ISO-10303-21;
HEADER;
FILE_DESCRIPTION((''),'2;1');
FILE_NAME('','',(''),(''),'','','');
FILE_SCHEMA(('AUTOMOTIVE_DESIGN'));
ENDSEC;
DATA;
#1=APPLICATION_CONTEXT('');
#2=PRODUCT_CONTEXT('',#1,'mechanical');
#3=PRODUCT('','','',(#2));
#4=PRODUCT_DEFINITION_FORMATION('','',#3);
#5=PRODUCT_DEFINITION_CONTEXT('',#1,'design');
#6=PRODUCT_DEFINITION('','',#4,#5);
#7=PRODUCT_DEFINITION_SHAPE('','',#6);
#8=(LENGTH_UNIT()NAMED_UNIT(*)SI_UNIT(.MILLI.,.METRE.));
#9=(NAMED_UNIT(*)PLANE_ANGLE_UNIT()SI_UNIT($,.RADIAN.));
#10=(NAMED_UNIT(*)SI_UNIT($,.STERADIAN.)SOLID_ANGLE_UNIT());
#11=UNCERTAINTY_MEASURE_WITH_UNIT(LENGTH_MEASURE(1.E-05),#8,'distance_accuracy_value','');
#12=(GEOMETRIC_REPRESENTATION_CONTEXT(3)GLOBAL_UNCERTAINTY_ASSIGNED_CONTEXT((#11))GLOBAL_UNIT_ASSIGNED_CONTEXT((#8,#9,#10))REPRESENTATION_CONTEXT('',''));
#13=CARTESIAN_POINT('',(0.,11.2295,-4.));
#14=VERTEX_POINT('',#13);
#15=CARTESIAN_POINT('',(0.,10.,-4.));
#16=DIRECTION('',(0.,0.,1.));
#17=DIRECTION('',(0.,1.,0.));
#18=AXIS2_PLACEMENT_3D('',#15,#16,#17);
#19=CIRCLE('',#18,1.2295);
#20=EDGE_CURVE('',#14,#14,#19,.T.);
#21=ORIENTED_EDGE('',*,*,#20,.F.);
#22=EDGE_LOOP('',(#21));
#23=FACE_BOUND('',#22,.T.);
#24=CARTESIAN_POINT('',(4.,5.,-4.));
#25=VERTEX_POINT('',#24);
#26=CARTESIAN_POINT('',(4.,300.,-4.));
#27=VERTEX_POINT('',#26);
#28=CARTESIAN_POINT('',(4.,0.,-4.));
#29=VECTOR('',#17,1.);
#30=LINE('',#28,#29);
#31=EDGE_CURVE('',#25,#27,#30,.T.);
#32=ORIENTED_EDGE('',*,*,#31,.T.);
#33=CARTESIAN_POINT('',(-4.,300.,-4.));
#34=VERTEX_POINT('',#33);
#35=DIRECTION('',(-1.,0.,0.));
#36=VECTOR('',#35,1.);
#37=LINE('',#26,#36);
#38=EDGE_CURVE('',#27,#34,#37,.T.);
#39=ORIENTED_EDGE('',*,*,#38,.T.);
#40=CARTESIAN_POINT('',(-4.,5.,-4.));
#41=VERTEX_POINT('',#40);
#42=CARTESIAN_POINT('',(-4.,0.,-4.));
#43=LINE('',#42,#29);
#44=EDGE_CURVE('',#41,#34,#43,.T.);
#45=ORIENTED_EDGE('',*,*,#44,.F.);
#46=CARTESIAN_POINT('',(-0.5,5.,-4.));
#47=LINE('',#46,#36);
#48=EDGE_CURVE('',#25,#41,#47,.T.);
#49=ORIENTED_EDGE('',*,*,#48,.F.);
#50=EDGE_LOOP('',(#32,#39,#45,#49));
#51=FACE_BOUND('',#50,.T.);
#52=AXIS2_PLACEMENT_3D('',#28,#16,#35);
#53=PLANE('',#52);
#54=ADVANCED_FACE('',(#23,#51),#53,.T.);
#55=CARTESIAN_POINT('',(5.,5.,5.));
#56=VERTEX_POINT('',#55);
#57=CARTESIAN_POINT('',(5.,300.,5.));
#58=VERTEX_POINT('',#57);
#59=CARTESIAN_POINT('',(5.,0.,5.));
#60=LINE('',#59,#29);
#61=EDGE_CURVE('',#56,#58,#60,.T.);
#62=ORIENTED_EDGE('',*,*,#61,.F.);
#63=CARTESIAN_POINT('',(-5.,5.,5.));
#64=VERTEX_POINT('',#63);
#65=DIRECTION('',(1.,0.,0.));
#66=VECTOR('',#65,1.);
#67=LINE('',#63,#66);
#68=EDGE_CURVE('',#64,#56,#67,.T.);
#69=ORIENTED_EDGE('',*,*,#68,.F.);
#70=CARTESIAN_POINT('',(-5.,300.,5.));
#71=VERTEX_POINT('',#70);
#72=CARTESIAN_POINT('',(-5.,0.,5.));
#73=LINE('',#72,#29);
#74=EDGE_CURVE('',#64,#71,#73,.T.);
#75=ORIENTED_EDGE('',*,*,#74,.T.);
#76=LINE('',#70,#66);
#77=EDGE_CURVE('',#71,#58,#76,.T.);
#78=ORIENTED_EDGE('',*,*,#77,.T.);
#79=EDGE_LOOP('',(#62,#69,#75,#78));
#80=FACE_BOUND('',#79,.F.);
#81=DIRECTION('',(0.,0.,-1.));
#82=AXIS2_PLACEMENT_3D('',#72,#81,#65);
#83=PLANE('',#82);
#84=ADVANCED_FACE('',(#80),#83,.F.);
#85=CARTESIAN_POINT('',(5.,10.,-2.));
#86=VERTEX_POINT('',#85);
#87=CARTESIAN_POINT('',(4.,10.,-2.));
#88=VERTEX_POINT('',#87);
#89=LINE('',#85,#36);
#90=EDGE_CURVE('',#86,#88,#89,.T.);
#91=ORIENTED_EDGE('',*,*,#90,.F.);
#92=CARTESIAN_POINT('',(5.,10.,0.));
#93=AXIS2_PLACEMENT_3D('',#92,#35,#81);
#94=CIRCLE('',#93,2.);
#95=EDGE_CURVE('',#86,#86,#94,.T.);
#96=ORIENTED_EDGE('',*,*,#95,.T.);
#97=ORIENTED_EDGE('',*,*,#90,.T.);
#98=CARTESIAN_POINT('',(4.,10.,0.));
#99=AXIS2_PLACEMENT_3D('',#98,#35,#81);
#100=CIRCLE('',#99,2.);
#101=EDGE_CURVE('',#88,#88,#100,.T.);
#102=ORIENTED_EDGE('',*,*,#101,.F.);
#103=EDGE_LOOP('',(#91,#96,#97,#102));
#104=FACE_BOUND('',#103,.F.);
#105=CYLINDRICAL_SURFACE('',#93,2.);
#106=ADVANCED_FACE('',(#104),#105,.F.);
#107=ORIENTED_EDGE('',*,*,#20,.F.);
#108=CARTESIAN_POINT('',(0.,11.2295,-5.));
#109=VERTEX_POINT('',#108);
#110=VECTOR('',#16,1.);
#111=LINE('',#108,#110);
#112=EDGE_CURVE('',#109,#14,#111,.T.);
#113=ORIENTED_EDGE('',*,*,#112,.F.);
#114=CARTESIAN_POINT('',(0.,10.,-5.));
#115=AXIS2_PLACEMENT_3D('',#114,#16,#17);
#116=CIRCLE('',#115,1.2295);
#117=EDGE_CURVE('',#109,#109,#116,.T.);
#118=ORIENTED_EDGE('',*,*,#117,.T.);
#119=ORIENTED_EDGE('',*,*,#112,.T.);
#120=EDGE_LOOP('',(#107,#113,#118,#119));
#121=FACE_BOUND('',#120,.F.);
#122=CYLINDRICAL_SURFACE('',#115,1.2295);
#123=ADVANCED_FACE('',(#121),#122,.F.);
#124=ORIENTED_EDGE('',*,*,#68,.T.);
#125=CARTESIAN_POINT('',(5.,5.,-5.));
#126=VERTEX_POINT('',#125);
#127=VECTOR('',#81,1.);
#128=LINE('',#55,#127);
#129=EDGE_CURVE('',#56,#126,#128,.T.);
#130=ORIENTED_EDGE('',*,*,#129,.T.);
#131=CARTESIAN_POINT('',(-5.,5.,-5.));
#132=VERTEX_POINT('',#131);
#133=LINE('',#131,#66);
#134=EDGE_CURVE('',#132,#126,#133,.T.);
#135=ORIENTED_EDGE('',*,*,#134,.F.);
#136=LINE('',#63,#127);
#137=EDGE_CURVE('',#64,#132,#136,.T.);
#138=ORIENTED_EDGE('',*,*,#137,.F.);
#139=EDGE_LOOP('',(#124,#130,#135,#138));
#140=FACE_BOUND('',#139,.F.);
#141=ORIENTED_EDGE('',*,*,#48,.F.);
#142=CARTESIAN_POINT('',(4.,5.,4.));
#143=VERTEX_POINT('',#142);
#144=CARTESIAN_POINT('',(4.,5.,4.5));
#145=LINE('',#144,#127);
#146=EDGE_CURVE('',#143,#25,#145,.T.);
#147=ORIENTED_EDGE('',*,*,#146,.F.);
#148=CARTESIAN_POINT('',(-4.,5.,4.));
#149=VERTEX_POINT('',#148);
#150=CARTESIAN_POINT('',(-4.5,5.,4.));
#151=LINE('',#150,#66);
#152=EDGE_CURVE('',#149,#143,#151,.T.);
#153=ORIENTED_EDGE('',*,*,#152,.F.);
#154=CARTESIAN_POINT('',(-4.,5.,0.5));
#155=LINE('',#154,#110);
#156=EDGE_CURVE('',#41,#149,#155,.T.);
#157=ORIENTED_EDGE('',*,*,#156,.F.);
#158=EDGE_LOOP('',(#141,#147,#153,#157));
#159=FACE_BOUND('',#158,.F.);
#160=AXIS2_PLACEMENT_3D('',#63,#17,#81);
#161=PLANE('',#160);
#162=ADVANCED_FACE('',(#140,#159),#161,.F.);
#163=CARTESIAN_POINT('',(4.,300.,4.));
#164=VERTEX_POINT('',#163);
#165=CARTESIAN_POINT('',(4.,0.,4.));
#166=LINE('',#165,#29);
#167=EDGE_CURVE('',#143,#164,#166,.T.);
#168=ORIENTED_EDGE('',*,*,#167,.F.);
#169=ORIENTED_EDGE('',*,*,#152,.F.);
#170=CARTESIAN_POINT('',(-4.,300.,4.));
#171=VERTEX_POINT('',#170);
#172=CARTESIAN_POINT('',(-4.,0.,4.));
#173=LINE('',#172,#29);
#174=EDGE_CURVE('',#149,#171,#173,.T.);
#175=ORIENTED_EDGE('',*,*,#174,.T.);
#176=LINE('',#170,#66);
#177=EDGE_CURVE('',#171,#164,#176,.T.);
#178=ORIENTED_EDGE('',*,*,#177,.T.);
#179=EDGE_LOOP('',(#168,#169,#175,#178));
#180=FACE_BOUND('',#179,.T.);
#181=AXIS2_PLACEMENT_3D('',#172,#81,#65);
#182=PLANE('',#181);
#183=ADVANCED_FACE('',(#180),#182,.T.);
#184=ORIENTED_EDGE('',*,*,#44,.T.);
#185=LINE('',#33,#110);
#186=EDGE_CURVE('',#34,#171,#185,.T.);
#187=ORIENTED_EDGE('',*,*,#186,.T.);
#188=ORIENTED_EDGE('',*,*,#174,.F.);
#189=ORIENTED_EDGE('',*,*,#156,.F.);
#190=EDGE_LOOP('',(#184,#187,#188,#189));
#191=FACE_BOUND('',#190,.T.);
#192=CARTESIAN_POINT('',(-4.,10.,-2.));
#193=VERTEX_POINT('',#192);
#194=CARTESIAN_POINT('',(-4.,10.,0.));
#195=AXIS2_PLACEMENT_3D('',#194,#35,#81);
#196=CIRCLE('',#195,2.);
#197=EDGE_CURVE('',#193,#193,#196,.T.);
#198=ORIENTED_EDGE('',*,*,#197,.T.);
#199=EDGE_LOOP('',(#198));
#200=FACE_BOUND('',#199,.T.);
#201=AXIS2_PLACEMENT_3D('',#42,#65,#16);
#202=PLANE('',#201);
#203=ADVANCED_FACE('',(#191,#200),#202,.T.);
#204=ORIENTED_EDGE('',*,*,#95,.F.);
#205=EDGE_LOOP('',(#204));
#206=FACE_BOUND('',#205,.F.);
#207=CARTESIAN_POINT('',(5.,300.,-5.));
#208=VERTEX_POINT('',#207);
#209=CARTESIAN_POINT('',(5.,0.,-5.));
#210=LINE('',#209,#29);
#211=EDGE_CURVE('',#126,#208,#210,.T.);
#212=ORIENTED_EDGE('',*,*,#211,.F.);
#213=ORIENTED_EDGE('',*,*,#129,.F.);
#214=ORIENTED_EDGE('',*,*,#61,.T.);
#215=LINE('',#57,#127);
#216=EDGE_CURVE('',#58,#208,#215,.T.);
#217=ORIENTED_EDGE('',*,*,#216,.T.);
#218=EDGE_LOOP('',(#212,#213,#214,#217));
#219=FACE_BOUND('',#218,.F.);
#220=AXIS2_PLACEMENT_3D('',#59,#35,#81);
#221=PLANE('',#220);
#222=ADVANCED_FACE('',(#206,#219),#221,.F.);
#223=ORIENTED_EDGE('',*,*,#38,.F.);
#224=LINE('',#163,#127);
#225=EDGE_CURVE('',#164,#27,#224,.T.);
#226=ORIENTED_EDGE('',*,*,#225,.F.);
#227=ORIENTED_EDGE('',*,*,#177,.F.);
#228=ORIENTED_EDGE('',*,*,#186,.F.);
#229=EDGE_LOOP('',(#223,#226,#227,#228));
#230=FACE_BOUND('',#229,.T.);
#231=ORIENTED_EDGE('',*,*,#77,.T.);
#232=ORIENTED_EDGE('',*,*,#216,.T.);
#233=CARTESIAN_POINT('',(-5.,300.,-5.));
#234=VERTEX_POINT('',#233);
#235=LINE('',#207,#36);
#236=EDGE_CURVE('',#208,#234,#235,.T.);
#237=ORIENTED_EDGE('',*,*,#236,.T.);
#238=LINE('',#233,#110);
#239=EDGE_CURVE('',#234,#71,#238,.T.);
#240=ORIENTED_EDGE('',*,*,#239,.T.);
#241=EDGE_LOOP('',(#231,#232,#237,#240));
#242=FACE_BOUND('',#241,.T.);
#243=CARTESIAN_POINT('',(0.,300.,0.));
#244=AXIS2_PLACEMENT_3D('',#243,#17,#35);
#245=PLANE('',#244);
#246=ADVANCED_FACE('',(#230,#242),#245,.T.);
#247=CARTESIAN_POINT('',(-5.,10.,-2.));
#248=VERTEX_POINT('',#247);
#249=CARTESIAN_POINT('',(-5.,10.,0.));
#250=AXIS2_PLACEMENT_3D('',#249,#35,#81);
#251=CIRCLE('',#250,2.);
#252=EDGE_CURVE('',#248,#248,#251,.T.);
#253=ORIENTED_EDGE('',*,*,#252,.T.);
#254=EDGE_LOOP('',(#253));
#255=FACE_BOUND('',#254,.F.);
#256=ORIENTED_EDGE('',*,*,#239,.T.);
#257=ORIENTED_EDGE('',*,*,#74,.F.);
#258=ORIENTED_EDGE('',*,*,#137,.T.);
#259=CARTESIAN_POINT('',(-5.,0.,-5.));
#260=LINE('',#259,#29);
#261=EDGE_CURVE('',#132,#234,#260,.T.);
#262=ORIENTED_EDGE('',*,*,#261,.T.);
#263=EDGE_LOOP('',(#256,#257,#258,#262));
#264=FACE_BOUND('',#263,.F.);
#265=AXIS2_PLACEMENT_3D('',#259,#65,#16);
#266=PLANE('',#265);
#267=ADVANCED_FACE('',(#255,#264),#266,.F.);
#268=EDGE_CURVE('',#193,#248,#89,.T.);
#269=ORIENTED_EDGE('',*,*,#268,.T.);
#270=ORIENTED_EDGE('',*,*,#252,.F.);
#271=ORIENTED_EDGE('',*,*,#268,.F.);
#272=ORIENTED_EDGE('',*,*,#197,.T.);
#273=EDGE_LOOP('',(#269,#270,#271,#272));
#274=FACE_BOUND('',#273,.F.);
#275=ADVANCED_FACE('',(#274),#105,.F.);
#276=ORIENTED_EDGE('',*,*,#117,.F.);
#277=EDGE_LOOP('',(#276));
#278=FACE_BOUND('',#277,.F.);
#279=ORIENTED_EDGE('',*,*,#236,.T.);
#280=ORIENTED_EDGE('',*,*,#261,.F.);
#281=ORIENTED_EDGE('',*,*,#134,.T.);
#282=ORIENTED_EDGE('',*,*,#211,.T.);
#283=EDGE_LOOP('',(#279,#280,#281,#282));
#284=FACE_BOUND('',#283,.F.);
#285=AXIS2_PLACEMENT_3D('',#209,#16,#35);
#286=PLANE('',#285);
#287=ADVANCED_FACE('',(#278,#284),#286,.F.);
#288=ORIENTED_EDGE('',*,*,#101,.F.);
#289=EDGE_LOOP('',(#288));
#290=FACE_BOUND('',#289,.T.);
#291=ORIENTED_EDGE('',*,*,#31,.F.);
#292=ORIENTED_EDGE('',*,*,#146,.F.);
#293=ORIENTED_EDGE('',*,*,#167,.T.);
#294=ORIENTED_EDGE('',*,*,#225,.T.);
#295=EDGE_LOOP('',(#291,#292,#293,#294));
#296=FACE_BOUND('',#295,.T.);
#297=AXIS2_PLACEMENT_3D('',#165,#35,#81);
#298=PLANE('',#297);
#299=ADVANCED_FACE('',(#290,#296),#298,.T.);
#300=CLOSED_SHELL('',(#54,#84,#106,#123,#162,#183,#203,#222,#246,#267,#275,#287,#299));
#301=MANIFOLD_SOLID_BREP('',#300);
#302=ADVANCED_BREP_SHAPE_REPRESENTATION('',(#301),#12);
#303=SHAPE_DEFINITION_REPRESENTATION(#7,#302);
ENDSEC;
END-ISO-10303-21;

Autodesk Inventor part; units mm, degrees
ref_plane "YZ Plane" through (0, 0, 0) normal (1, 0, 0) x (0, 1, 0)
ref_plane "XZ Plane" through (0, 0, 0) normal (0, 1, 0) x (-1, 0, 0)
sketch "スケッチ1" plane through (0, 0, 0) normal (0, 1, 0) x (-1, 0, 0)
  line L0 (5, 5) -> (-5, 5)
  line L1 (-5, 5) -> (-5, -5)
  line L2 (-5, -5) -> (5, -5)
  line L3 (5, -5) -> (5, 5)
  line L4 (4, 4) -> (-4, 4)
  line L5 (-4, 4) -> (-4, -4)
  line L6 (-4, -4) -> (4, -4)
  line L7 (4, -4) -> (4, 4)
  line L8 (5, 5) -> (-5, -5) construction
  line L9 (-5, 5) -> (5, -5) construction
  point P0 (0, 0)
  point P1 (0, 0)
  point P2 (0, 0)
  dimension "d0" = 10
  dimension "d1" = 10
  dimension "d2" = 1
extrude "押し出し1" add sketch "スケッチ1" along normal blind 300
sketch "スケッチ2" plane through (5, 0, 5) normal (1, 0, 0) x (0, 0, -1)
  line L0 (0, 0) -> (10, 0) projected
  point P0 (5, 0)
  point P1 (5, 10)
  point P2 (5, 0)
  dimension "d5" = 10
hole "穴1" at (5, 10, 0) direction (-1, 0, 0) diameter 4 depth 10
ref_plane "作業平面1" through (0, 0, 5) normal (1, 0, 0) x (0, 0, -1)
sketch "スケッチ3" plane through (-5, 0, -5) normal (-1, 0, 0) x (0, 0, 1)
  line L0 (10, 0) -> (10, 300) projected
  line L1 (0, 0) -> (10, 0)
  line L2 (10, 0) -> (10, 5)
  line L3 (10, 5) -> (0, 5)
  line L4 (0, 5) -> (0, 0)
  point P0 (5, 0)
  dimension "d13" = 5
extrude "押し出し2" cut sketch "スケッチ3" against normal blind 25.4
sketch "スケッチ5" plane through (5, 300, -5) normal (0, 0, -1) x (-1, 0, 0)
  line L0 (0, -295) -> (0, 0) projected
  line L1 (0, -295) -> (10, -295) projected
  point P0 (5, -300)
  point P1 (5, -290)
  dimension "d16" = 5
  dimension "d17" = 5
hole "穴2" at (0, 10, -5) direction (0, 0, 1) diameter 2.459 depth 1 thread size "M3x0.5" class "6H" standard "ISO Metric profile"
ref_plane "作業平面3" through (-5, 300, 0) normal (0, 0, 1) x (1, 0, 0)
properties part number "stick" material "アルミニウム 6061"
